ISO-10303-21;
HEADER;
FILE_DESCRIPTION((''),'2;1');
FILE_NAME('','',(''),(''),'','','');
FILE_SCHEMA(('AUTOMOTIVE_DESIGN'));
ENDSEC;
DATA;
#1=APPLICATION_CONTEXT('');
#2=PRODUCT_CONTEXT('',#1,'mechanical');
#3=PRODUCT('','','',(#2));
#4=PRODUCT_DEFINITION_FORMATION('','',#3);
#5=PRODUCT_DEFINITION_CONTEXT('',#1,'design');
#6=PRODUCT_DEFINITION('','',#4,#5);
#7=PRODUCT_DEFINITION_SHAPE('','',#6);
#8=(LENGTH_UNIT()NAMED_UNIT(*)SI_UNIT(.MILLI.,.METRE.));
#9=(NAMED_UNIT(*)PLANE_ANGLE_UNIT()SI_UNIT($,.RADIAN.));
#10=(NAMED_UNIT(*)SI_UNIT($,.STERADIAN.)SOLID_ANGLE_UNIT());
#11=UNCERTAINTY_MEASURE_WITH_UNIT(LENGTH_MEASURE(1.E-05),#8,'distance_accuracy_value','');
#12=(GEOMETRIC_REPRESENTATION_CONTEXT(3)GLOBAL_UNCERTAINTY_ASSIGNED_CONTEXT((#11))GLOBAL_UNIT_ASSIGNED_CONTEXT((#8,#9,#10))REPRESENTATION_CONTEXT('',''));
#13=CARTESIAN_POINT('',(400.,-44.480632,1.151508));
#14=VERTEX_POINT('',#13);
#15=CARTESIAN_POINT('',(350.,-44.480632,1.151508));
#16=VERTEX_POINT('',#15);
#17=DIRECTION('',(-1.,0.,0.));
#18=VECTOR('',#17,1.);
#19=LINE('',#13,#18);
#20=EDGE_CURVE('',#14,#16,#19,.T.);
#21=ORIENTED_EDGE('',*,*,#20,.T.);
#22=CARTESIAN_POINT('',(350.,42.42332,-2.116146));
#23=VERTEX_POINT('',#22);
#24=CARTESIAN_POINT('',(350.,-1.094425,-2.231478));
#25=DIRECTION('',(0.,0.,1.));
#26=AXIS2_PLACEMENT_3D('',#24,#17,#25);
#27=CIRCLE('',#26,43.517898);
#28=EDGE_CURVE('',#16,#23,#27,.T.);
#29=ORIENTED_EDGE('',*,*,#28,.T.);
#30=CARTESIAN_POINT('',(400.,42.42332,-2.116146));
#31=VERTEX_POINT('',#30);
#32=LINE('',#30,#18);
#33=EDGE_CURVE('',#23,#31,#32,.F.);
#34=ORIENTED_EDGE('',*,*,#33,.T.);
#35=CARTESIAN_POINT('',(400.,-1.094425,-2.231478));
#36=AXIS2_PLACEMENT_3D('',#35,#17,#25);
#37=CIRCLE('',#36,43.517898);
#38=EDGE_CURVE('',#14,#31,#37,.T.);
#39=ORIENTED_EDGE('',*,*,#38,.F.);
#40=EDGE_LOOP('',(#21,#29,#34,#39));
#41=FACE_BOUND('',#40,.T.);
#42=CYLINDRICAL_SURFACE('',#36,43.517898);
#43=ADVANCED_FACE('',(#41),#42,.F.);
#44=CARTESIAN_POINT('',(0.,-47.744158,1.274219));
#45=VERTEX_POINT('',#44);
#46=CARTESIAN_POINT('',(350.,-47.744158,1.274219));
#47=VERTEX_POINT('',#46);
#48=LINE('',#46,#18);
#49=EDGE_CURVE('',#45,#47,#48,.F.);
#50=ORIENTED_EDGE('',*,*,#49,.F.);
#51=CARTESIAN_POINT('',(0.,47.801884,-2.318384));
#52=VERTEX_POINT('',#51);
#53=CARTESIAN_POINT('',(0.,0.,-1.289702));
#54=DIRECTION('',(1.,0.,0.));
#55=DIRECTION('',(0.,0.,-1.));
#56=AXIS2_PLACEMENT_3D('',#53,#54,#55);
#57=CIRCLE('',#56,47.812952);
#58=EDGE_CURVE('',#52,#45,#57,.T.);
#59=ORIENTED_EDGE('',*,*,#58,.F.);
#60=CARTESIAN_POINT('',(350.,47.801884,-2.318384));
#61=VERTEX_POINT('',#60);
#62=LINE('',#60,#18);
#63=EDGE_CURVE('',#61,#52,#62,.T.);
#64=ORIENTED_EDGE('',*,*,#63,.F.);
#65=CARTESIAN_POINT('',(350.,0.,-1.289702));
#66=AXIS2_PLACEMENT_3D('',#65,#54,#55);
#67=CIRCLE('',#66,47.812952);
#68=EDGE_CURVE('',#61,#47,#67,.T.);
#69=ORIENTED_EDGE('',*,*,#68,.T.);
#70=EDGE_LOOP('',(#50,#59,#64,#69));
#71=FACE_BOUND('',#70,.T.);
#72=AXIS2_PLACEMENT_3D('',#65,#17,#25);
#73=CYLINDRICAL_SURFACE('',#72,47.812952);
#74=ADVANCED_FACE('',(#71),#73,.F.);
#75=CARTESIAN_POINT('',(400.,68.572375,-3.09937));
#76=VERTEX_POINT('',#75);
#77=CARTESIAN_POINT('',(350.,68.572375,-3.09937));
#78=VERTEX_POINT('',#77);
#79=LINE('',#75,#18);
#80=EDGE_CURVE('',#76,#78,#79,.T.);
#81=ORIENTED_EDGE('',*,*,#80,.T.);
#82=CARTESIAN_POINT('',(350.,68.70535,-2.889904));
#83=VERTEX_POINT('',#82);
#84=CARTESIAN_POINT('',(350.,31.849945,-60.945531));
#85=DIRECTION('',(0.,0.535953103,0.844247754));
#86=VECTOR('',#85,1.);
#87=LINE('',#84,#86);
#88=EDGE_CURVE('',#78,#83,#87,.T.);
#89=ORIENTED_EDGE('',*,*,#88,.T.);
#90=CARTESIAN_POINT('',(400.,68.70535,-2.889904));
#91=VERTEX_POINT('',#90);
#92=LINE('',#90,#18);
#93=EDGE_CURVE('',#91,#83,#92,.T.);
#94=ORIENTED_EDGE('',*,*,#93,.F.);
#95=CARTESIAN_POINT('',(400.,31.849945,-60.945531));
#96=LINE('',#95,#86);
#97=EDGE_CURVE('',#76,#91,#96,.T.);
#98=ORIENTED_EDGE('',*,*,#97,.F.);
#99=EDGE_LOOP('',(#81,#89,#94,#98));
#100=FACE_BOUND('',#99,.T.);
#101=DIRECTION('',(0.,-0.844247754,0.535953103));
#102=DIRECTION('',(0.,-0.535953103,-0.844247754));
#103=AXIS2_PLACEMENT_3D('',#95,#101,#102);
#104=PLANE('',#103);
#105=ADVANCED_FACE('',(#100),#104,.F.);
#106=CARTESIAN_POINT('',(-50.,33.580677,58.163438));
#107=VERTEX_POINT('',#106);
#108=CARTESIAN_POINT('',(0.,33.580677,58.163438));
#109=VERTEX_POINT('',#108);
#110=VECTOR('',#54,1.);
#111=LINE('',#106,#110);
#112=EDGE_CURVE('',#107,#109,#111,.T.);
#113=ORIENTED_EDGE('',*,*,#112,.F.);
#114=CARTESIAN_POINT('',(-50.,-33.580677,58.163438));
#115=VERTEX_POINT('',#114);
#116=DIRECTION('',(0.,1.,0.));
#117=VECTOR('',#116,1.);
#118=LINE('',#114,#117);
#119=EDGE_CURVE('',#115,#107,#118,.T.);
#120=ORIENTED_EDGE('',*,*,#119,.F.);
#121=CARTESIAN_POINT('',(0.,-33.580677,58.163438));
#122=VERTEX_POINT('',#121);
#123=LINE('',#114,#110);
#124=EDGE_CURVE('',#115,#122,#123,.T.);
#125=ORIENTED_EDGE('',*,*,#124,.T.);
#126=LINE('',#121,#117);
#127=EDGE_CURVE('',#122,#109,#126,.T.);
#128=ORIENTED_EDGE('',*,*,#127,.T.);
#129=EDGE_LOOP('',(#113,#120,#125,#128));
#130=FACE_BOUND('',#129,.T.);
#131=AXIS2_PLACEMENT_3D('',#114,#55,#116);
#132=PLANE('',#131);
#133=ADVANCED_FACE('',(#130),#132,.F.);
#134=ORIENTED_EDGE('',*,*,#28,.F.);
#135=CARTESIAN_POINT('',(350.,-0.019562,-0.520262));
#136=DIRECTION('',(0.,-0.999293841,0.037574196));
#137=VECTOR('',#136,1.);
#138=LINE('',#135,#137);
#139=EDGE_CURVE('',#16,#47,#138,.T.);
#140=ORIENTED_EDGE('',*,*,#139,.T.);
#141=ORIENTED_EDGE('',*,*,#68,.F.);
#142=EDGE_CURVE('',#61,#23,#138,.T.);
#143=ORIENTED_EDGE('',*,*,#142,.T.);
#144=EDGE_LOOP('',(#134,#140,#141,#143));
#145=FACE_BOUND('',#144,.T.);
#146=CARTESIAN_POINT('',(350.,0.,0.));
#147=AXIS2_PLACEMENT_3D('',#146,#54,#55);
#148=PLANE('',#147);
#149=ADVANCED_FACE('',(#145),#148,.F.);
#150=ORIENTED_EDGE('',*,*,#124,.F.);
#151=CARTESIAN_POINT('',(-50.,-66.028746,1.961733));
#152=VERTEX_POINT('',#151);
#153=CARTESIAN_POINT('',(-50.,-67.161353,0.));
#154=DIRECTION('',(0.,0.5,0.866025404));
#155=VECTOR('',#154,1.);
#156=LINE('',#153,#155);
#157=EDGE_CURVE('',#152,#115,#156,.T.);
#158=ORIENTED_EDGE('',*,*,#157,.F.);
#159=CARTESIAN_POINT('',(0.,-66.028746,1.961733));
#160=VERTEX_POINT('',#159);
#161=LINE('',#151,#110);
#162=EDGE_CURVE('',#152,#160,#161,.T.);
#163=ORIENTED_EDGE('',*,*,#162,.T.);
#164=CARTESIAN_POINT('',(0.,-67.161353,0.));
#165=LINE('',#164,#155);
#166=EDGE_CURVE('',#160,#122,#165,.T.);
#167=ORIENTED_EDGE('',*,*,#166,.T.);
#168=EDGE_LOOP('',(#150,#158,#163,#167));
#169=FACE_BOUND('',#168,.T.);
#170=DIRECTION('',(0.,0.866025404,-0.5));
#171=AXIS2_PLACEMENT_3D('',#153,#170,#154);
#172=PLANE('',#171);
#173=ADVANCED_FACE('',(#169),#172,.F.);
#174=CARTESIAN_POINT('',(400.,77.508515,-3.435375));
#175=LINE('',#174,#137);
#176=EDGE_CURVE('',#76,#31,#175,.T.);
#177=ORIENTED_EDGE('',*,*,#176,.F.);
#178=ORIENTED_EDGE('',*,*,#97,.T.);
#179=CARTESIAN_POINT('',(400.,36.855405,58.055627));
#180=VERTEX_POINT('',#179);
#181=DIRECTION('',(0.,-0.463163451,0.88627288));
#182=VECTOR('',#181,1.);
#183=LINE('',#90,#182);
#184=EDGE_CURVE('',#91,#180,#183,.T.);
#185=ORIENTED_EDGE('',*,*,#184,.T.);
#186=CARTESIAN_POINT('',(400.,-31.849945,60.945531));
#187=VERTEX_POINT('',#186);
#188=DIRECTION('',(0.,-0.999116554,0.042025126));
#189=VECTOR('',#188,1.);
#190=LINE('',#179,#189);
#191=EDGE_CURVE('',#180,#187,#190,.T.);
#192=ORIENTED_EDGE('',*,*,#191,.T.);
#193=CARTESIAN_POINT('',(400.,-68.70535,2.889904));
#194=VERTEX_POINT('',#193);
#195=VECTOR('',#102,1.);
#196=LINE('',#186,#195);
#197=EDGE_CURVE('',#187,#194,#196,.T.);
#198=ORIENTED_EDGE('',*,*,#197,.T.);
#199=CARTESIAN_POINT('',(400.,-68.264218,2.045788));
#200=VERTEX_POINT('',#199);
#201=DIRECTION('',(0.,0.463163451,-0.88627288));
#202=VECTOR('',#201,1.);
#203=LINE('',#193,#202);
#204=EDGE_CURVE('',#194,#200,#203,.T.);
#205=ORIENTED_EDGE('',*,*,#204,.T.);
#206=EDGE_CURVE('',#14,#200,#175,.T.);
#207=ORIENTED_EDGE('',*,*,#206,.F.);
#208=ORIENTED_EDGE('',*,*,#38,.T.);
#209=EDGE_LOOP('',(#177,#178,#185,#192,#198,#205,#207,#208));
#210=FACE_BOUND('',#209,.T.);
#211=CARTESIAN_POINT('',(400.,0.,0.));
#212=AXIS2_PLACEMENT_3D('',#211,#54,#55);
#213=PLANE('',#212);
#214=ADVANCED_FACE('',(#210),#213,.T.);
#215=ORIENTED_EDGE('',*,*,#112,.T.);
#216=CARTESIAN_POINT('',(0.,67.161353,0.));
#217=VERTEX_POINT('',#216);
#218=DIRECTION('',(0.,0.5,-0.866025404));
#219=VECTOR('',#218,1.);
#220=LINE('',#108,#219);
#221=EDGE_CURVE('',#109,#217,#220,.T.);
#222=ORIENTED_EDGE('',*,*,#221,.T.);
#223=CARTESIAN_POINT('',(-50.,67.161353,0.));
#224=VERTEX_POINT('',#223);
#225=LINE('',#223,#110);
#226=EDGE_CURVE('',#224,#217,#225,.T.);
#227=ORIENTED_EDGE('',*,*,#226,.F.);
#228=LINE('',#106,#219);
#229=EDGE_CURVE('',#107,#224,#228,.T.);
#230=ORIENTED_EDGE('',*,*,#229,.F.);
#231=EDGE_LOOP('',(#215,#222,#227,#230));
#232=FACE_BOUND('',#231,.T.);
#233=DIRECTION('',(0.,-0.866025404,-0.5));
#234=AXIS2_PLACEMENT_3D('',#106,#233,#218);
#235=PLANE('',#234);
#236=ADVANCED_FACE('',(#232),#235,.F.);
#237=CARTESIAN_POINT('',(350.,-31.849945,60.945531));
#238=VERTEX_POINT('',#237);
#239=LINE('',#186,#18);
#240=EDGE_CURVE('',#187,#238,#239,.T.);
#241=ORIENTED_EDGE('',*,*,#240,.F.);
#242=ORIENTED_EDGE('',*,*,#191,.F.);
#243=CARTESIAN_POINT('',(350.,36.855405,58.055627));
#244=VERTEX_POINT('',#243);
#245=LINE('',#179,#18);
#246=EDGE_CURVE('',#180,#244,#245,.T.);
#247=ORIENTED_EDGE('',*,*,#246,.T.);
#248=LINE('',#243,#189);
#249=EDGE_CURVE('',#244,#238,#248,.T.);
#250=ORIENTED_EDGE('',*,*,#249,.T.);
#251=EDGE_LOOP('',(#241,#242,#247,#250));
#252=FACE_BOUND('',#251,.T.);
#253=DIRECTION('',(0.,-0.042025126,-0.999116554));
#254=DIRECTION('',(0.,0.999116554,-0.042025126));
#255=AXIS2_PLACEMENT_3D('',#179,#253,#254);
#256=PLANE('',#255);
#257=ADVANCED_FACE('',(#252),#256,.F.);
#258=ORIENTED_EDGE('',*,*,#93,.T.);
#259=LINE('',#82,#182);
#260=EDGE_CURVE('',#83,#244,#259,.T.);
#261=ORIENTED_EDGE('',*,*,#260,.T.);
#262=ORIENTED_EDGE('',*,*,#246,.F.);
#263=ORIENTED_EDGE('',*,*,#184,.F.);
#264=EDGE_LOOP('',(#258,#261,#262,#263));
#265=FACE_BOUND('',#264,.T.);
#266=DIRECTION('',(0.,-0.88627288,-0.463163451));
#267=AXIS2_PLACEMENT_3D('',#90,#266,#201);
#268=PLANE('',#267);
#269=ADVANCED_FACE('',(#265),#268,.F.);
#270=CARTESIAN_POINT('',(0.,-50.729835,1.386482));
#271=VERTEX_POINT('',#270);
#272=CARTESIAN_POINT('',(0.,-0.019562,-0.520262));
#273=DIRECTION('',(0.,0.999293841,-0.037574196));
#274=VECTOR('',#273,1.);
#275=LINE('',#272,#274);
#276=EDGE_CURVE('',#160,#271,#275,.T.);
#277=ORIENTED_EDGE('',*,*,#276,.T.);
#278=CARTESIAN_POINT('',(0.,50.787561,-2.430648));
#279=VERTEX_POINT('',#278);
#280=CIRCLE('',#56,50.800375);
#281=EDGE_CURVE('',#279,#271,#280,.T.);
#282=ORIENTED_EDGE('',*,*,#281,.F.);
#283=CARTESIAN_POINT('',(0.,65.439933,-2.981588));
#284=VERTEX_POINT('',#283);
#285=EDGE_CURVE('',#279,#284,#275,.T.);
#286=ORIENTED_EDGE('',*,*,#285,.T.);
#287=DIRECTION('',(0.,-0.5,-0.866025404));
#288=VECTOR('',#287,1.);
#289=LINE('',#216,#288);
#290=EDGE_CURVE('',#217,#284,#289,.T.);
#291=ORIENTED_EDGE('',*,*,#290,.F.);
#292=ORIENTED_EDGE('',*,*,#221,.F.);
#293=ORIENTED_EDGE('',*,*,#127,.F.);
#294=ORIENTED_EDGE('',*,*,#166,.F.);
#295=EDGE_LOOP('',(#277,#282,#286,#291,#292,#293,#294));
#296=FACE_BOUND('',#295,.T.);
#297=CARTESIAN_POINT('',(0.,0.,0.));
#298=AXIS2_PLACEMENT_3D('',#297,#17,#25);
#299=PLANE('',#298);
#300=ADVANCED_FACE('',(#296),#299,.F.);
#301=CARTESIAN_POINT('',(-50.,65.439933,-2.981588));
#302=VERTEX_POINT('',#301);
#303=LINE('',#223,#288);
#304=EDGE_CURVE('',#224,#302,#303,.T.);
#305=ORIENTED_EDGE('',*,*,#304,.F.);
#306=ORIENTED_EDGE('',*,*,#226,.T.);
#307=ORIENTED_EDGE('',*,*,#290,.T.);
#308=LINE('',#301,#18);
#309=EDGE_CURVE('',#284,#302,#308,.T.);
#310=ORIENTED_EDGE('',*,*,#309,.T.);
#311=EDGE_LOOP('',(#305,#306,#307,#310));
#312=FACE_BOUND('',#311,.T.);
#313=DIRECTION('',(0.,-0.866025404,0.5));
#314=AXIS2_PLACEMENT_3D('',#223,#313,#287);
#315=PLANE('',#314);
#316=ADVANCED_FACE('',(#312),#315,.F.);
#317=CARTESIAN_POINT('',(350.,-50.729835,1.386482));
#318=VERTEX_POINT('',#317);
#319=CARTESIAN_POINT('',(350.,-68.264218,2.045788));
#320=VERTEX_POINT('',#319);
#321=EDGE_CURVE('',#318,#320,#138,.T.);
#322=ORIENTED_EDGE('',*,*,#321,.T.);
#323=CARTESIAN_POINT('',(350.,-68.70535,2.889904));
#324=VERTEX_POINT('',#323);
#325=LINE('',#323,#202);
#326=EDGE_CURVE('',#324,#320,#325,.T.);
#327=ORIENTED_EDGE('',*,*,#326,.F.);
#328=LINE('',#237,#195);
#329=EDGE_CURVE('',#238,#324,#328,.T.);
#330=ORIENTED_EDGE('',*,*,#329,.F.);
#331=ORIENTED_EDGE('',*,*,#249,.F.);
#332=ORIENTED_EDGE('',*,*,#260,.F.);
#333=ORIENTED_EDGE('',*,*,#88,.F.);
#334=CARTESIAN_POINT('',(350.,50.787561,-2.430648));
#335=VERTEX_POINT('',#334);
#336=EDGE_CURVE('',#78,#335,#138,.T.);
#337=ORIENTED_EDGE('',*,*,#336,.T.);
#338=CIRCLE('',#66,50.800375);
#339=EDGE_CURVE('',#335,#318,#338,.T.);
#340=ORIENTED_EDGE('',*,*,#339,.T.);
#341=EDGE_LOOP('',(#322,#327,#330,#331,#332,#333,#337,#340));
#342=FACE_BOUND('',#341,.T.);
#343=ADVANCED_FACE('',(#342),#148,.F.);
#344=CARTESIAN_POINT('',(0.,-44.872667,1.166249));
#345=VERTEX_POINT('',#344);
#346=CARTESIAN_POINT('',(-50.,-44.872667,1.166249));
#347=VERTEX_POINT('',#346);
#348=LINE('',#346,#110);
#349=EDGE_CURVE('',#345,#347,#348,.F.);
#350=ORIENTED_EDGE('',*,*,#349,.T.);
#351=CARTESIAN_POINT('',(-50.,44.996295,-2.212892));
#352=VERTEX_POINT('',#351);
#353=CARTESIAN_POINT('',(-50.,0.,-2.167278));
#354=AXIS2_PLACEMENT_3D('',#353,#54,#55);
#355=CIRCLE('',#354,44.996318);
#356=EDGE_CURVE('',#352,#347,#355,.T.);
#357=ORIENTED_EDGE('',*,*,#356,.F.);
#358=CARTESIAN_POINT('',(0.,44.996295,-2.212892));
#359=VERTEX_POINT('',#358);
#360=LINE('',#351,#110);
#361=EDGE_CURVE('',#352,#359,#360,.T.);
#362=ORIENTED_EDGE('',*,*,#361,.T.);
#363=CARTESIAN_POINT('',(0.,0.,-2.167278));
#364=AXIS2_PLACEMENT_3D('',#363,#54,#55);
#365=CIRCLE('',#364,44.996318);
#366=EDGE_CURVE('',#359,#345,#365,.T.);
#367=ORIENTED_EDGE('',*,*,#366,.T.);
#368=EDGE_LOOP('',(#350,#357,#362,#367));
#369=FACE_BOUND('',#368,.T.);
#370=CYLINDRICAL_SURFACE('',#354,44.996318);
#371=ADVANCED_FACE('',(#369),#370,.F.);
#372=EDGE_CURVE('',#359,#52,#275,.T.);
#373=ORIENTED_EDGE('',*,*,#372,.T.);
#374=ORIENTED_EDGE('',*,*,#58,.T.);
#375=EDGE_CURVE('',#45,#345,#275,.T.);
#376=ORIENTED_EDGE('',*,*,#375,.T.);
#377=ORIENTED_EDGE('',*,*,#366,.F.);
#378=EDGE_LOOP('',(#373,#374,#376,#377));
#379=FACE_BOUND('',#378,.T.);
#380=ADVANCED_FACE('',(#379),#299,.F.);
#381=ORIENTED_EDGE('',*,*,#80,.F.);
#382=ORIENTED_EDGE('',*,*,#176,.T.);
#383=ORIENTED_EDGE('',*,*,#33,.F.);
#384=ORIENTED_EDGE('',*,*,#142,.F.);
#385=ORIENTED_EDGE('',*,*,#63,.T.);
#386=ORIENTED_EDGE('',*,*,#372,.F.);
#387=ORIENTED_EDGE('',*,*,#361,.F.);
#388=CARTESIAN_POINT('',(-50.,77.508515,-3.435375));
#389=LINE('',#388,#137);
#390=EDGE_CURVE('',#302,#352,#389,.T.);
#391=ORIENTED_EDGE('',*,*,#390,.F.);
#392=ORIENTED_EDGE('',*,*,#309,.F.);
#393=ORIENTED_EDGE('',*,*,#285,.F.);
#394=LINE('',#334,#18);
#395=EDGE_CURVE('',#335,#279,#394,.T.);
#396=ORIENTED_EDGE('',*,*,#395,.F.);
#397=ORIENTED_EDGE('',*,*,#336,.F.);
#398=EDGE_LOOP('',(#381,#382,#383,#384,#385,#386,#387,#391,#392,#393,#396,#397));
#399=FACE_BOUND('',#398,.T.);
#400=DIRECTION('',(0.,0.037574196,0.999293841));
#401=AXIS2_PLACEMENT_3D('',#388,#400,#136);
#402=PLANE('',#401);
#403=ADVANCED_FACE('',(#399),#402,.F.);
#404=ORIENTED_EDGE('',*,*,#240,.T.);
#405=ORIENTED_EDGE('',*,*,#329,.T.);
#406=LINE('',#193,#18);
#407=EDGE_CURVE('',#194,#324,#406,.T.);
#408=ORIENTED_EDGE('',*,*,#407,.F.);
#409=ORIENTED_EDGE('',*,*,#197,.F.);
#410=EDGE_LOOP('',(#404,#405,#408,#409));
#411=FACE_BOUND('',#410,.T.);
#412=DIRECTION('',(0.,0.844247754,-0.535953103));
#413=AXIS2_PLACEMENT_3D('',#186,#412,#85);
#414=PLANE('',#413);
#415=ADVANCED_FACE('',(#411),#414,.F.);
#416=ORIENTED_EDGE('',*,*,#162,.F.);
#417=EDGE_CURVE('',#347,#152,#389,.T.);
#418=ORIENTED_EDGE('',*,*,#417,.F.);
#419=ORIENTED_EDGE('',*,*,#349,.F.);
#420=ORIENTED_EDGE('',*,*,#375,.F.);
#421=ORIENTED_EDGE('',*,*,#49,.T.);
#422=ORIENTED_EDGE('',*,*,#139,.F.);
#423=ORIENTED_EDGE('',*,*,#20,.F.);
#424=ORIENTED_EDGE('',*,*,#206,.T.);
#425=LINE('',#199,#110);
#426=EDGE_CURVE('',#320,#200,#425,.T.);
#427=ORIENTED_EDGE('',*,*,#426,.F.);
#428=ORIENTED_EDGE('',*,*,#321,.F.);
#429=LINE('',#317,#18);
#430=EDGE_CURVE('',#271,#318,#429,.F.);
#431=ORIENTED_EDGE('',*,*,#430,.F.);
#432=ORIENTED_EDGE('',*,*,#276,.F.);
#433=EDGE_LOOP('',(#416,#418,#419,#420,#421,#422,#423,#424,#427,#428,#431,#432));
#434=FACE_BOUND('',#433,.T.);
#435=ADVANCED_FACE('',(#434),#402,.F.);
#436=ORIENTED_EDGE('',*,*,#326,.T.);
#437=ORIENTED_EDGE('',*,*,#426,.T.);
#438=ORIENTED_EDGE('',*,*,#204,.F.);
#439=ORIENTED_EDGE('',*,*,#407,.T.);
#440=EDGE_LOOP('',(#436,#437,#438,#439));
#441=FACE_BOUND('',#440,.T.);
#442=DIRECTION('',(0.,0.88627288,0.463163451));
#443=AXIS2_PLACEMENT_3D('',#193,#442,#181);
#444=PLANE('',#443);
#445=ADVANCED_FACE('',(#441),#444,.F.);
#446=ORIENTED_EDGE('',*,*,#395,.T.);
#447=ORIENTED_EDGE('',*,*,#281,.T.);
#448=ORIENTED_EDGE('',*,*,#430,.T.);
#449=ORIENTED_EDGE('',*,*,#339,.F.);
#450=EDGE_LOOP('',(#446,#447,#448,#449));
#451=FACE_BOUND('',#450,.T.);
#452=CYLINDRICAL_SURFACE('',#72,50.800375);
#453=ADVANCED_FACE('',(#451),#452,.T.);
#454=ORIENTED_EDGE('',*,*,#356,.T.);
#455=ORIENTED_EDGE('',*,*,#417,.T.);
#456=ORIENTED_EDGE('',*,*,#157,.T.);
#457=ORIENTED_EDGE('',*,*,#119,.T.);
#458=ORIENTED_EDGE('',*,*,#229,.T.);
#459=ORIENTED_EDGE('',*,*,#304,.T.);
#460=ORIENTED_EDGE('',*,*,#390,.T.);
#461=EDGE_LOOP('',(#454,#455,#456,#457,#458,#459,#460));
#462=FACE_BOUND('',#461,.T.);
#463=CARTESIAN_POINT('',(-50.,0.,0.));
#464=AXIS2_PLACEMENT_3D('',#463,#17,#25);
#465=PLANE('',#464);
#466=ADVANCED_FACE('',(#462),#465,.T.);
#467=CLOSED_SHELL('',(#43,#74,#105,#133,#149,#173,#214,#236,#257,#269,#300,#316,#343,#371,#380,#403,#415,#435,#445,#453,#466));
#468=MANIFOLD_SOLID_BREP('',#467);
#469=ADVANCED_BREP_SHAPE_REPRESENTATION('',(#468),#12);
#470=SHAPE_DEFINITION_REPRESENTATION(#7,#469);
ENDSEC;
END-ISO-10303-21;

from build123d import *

# Parameters (mm, degrees)
SKETCH1_R            = 50.800375113
SKETCH1_R_2          = 47.812951641
BOSS_EXTRUDE2_DEPTH  = 350
BOSS_EXTRUDE5_DEPTH  = 50
BOSS_EXTRUDE11_DEPTH = 50
SKETCH6_R            = 44.996318031
CUT_EXTRUDE2_DEPTH   = 50
SKETCH7_R            = 43.517898498
CUT_EXTRUDE3_DEPTH   = 50
CUT_EXTRUDE5_DEPTH   = 460.276368741


with BuildPart() as part:
    # Sketch1 → Boss-Extrude2 (new body)
    with BuildSketch(Plane(origin=(0, 0, 0), x_dir=(0, 0, -1), z_dir=(1, 0, 0))):
        with Locations((1.289702318, 0)):
            Circle(SKETCH1_R)
        with Locations((1.289702318, 0)):
            Circle(SKETCH1_R_2, mode=Mode.SUBTRACT)
    extrude(amount=BOSS_EXTRUDE2_DEPTH)

    # Sketch3 → Boss-Extrude5 (add)
    with BuildSketch(Plane(origin=(350, 0, 0), x_dir=(0, 0, -1), z_dir=(1, 0, 0))):
        Polygon((58.055626726, -36.855405481), (60.945530776, 31.849944836), (2.88990405, 68.705350317), (-58.055626726, 36.855405481), (-60.945530776, -31.849944836), (-2.88990405, -68.705350317), align=None)
        Polygon((29.411876605, -18.99044871), (30.315925302, 11.383738416), (4.46313198, 27.353761118), (-22.293710039, 12.949596693), (-23.197758737, -17.424590433), (2.655034585, -33.394613135), align=None, mode=Mode.SUBTRACT)
    extrude(amount=BOSS_EXTRUDE5_DEPTH)

    # Sketch5 → Boss-Extrude11 (add)
    with BuildSketch(Plane.ZY):
        Polygon((0, -67.161353017), (58.163437865, -33.580676508), (58.163437865, 33.580676508), (0, 67.161353017), (-58.163437865, 33.580676508), (-58.163437865, -33.580676508), align=None)
    extrude(amount=BOSS_EXTRUDE11_DEPTH)

    # Sketch6 → Cut-Extrude2 (cut)
    with BuildSketch(Plane(origin=(0, 0, 0), x_dir=(0, 0, -1), z_dir=(1, 0, 0))):
        with Locations((2.167278034, 0)):
            Circle(SKETCH6_R)
    extrude(amount=-CUT_EXTRUDE2_DEPTH, mode=Mode.SUBTRACT)

    # Sketch7 → Cut-Extrude3 (cut)
    with BuildSketch(Plane.ZY.offset(-350)):
        with Locations((-2.231478452, -1.09442532)):
            Circle(SKETCH7_R)
    extrude(amount=-CUT_EXTRUDE3_DEPTH, mode=Mode.SUBTRACT)

    # Sketch9 → Cut-Extrude5 (cut, through all)
    with BuildSketch(Plane(origin=(400, 0, 0), x_dir=(0, 0, -1), z_dir=(1, 0, 0))):
        Polygon((3.435375401, 77.5085151), (88.372603531, 77.5085151), (88.372603531, -82.273926917), (-2.672776716, -84.939108123), align=None)
    extrude(amount=-CUT_EXTRUDE5_DEPTH, mode=Mode.SUBTRACT)


solid = part.part
